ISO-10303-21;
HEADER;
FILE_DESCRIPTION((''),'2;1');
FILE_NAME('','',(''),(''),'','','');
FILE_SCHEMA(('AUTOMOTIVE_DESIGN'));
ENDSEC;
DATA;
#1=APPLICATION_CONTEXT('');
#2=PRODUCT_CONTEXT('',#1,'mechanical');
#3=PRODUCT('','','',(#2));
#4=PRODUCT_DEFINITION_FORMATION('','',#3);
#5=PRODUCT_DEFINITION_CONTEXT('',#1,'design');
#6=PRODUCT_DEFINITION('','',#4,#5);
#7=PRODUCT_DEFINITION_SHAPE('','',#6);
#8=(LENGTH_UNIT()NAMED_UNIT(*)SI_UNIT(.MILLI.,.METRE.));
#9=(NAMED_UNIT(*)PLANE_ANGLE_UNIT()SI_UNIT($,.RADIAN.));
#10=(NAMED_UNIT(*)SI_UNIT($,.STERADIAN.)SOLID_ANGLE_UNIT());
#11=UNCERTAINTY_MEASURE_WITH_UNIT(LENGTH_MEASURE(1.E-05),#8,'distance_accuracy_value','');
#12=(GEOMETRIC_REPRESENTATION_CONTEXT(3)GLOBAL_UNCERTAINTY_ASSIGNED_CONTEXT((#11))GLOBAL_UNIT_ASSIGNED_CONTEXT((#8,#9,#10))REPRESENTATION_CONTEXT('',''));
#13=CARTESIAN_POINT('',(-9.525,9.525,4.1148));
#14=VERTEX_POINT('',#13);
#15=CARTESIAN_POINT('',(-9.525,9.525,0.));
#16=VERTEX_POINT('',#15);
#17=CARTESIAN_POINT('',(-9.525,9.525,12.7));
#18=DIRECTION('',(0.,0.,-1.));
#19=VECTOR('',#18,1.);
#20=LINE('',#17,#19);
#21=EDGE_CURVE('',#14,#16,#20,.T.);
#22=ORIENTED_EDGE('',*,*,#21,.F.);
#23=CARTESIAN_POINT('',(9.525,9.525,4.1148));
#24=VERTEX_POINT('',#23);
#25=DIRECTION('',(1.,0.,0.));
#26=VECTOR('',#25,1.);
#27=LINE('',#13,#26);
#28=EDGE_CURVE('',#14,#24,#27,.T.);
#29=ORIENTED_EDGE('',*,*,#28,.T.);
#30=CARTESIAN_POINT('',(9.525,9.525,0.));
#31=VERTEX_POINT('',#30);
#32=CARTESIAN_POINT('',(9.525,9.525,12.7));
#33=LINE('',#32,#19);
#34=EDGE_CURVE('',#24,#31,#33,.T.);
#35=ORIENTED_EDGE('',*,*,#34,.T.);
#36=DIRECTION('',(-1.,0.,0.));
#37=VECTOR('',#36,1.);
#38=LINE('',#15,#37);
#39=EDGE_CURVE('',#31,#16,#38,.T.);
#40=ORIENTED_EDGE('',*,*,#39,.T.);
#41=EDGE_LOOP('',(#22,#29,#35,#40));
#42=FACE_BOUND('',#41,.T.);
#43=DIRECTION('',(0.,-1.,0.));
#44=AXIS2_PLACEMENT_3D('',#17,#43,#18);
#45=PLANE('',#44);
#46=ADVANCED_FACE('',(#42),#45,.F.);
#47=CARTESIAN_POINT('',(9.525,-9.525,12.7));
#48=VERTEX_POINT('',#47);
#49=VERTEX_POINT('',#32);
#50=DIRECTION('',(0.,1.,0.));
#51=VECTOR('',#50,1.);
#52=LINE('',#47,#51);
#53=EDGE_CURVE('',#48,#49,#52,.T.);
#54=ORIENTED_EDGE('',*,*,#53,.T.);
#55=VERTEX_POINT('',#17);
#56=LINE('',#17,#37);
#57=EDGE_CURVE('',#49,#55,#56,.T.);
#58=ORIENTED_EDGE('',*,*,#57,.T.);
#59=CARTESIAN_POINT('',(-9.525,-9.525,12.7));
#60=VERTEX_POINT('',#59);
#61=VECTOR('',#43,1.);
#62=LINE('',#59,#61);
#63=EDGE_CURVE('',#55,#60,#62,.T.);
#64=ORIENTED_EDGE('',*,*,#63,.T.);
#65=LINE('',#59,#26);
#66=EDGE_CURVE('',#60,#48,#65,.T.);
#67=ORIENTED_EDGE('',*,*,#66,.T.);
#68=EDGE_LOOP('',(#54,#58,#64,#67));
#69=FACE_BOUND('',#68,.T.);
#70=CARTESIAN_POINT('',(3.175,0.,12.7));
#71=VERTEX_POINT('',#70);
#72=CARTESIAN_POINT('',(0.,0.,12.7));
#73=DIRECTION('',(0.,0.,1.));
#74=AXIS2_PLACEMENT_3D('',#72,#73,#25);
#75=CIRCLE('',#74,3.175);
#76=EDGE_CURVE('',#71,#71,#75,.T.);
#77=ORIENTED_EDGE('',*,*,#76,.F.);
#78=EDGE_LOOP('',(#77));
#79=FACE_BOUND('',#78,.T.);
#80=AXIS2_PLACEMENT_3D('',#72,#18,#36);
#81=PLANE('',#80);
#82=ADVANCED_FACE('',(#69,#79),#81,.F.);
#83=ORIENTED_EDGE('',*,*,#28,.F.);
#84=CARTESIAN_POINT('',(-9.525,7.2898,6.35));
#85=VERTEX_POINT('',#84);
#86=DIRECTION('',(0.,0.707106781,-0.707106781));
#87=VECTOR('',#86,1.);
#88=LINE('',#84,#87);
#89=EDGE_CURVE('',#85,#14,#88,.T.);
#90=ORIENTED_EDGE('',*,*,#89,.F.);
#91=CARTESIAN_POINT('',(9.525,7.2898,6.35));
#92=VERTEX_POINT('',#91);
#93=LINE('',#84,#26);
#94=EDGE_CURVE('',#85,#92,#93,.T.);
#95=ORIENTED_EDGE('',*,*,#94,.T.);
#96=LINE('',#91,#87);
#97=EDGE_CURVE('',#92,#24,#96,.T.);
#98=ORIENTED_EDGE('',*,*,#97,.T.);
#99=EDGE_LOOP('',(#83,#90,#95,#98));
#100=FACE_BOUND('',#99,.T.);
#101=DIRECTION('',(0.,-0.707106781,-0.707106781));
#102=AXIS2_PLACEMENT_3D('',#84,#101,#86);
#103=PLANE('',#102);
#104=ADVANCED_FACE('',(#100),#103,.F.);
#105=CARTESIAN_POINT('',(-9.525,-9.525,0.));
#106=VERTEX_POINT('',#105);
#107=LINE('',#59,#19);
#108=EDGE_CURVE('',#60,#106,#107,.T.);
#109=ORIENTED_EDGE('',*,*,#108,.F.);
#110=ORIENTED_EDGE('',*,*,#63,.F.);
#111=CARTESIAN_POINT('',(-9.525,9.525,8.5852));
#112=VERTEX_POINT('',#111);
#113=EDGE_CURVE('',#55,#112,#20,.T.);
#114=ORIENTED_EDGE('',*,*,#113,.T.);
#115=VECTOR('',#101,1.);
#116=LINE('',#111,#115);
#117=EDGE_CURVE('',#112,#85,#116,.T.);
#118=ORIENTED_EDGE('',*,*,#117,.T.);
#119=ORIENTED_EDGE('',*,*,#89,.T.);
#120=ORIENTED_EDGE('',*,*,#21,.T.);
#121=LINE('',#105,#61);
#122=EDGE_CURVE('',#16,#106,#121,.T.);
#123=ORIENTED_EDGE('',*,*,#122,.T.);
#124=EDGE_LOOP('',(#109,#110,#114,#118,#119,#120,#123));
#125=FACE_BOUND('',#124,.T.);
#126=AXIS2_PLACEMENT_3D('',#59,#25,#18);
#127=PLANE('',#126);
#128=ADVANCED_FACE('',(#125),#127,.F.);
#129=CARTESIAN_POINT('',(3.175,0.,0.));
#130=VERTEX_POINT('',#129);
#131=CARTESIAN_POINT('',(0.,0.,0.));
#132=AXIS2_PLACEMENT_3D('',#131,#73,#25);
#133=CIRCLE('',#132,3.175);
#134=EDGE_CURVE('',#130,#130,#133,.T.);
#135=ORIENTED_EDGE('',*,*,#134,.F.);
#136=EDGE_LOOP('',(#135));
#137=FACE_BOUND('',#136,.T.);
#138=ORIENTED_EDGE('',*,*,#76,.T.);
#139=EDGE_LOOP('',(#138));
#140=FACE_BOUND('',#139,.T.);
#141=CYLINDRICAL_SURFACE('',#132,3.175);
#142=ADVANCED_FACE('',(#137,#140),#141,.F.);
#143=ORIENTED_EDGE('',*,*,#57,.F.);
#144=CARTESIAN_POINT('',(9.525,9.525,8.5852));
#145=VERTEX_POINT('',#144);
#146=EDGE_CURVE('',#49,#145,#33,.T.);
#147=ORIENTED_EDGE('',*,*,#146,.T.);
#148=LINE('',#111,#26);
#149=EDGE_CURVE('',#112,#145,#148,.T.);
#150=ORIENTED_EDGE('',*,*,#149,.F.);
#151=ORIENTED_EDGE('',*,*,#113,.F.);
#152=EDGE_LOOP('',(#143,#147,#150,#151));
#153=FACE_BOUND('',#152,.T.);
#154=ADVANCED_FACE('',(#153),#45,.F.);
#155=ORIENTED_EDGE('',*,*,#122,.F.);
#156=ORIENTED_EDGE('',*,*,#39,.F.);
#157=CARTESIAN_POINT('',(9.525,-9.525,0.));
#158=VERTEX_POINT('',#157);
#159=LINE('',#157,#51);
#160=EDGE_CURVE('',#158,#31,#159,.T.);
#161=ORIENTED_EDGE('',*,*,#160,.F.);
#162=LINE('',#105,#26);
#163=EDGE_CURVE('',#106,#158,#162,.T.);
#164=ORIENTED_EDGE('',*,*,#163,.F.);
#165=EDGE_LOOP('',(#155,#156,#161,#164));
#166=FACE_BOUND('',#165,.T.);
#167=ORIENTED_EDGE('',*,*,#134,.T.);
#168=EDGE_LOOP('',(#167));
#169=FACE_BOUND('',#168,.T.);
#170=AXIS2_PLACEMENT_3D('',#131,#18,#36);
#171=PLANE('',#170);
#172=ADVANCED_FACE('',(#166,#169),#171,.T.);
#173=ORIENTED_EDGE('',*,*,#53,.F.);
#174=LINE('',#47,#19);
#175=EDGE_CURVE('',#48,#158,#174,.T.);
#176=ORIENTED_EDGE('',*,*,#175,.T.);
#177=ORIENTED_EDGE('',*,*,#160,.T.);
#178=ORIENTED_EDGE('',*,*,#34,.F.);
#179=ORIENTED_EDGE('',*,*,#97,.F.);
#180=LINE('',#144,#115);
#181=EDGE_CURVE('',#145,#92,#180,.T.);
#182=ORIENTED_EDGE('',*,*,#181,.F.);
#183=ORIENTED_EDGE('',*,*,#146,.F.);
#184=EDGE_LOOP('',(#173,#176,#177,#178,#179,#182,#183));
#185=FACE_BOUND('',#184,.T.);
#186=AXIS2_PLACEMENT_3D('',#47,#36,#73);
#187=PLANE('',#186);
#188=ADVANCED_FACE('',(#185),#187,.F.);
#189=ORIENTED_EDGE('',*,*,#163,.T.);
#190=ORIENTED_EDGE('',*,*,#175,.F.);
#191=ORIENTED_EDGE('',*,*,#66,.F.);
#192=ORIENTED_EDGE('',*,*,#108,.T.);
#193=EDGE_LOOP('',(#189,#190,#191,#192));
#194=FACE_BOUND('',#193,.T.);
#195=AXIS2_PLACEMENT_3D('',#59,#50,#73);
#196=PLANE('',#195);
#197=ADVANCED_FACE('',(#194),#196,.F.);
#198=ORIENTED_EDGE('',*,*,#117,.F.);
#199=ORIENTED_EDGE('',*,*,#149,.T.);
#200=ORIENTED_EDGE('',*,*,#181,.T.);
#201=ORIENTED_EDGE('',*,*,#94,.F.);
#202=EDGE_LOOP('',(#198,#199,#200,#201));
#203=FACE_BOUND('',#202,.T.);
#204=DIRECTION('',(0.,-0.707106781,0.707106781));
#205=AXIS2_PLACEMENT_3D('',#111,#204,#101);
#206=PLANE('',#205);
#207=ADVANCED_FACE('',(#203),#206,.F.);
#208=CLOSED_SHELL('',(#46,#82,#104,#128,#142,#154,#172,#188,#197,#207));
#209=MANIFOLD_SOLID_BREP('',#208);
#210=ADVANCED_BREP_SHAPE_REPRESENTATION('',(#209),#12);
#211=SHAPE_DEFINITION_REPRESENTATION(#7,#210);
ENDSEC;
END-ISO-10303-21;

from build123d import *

# Parameters (mm, degrees)
SKETCH1_W           = 19.05
SKETCH1_H           = 19.05
BOSS_EXTRUDE1_DEPTH = 12.7
SKETCH2_R           = 3.175
CUT_EXTRUDE1_DEPTH  = 12.7
CUT_EXTRUDE2_DEPTH  = 25.797542721


with BuildPart() as part:
    # Sketch1 → Boss-Extrude1 (new body)
    with BuildSketch(Plane.XY):
        Rectangle(SKETCH1_W, SKETCH1_H)
    extrude(amount=BOSS_EXTRUDE1_DEPTH)

    # Sketch2 → Cut-Extrude1 (cut)
    with BuildSketch(Plane.XY.offset(12.7)):
        Circle(SKETCH2_R)
    extrude(amount=-CUT_EXTRUDE1_DEPTH, mode=Mode.SUBTRACT)

    # Sketch3 → Cut-Extrude2 (cut, through all)
    with BuildSketch(Plane(origin=(9.525, 0, 0), x_dir=(0, 0, -1), z_dir=(1, 0, 0))):
        Polygon((-6.35, 7.2898), (-4.1148, 9.525), (-8.5852, 9.525), align=None)
    extrude(amount=-CUT_EXTRUDE2_DEPTH, mode=Mode.SUBTRACT)


solid = part.part
